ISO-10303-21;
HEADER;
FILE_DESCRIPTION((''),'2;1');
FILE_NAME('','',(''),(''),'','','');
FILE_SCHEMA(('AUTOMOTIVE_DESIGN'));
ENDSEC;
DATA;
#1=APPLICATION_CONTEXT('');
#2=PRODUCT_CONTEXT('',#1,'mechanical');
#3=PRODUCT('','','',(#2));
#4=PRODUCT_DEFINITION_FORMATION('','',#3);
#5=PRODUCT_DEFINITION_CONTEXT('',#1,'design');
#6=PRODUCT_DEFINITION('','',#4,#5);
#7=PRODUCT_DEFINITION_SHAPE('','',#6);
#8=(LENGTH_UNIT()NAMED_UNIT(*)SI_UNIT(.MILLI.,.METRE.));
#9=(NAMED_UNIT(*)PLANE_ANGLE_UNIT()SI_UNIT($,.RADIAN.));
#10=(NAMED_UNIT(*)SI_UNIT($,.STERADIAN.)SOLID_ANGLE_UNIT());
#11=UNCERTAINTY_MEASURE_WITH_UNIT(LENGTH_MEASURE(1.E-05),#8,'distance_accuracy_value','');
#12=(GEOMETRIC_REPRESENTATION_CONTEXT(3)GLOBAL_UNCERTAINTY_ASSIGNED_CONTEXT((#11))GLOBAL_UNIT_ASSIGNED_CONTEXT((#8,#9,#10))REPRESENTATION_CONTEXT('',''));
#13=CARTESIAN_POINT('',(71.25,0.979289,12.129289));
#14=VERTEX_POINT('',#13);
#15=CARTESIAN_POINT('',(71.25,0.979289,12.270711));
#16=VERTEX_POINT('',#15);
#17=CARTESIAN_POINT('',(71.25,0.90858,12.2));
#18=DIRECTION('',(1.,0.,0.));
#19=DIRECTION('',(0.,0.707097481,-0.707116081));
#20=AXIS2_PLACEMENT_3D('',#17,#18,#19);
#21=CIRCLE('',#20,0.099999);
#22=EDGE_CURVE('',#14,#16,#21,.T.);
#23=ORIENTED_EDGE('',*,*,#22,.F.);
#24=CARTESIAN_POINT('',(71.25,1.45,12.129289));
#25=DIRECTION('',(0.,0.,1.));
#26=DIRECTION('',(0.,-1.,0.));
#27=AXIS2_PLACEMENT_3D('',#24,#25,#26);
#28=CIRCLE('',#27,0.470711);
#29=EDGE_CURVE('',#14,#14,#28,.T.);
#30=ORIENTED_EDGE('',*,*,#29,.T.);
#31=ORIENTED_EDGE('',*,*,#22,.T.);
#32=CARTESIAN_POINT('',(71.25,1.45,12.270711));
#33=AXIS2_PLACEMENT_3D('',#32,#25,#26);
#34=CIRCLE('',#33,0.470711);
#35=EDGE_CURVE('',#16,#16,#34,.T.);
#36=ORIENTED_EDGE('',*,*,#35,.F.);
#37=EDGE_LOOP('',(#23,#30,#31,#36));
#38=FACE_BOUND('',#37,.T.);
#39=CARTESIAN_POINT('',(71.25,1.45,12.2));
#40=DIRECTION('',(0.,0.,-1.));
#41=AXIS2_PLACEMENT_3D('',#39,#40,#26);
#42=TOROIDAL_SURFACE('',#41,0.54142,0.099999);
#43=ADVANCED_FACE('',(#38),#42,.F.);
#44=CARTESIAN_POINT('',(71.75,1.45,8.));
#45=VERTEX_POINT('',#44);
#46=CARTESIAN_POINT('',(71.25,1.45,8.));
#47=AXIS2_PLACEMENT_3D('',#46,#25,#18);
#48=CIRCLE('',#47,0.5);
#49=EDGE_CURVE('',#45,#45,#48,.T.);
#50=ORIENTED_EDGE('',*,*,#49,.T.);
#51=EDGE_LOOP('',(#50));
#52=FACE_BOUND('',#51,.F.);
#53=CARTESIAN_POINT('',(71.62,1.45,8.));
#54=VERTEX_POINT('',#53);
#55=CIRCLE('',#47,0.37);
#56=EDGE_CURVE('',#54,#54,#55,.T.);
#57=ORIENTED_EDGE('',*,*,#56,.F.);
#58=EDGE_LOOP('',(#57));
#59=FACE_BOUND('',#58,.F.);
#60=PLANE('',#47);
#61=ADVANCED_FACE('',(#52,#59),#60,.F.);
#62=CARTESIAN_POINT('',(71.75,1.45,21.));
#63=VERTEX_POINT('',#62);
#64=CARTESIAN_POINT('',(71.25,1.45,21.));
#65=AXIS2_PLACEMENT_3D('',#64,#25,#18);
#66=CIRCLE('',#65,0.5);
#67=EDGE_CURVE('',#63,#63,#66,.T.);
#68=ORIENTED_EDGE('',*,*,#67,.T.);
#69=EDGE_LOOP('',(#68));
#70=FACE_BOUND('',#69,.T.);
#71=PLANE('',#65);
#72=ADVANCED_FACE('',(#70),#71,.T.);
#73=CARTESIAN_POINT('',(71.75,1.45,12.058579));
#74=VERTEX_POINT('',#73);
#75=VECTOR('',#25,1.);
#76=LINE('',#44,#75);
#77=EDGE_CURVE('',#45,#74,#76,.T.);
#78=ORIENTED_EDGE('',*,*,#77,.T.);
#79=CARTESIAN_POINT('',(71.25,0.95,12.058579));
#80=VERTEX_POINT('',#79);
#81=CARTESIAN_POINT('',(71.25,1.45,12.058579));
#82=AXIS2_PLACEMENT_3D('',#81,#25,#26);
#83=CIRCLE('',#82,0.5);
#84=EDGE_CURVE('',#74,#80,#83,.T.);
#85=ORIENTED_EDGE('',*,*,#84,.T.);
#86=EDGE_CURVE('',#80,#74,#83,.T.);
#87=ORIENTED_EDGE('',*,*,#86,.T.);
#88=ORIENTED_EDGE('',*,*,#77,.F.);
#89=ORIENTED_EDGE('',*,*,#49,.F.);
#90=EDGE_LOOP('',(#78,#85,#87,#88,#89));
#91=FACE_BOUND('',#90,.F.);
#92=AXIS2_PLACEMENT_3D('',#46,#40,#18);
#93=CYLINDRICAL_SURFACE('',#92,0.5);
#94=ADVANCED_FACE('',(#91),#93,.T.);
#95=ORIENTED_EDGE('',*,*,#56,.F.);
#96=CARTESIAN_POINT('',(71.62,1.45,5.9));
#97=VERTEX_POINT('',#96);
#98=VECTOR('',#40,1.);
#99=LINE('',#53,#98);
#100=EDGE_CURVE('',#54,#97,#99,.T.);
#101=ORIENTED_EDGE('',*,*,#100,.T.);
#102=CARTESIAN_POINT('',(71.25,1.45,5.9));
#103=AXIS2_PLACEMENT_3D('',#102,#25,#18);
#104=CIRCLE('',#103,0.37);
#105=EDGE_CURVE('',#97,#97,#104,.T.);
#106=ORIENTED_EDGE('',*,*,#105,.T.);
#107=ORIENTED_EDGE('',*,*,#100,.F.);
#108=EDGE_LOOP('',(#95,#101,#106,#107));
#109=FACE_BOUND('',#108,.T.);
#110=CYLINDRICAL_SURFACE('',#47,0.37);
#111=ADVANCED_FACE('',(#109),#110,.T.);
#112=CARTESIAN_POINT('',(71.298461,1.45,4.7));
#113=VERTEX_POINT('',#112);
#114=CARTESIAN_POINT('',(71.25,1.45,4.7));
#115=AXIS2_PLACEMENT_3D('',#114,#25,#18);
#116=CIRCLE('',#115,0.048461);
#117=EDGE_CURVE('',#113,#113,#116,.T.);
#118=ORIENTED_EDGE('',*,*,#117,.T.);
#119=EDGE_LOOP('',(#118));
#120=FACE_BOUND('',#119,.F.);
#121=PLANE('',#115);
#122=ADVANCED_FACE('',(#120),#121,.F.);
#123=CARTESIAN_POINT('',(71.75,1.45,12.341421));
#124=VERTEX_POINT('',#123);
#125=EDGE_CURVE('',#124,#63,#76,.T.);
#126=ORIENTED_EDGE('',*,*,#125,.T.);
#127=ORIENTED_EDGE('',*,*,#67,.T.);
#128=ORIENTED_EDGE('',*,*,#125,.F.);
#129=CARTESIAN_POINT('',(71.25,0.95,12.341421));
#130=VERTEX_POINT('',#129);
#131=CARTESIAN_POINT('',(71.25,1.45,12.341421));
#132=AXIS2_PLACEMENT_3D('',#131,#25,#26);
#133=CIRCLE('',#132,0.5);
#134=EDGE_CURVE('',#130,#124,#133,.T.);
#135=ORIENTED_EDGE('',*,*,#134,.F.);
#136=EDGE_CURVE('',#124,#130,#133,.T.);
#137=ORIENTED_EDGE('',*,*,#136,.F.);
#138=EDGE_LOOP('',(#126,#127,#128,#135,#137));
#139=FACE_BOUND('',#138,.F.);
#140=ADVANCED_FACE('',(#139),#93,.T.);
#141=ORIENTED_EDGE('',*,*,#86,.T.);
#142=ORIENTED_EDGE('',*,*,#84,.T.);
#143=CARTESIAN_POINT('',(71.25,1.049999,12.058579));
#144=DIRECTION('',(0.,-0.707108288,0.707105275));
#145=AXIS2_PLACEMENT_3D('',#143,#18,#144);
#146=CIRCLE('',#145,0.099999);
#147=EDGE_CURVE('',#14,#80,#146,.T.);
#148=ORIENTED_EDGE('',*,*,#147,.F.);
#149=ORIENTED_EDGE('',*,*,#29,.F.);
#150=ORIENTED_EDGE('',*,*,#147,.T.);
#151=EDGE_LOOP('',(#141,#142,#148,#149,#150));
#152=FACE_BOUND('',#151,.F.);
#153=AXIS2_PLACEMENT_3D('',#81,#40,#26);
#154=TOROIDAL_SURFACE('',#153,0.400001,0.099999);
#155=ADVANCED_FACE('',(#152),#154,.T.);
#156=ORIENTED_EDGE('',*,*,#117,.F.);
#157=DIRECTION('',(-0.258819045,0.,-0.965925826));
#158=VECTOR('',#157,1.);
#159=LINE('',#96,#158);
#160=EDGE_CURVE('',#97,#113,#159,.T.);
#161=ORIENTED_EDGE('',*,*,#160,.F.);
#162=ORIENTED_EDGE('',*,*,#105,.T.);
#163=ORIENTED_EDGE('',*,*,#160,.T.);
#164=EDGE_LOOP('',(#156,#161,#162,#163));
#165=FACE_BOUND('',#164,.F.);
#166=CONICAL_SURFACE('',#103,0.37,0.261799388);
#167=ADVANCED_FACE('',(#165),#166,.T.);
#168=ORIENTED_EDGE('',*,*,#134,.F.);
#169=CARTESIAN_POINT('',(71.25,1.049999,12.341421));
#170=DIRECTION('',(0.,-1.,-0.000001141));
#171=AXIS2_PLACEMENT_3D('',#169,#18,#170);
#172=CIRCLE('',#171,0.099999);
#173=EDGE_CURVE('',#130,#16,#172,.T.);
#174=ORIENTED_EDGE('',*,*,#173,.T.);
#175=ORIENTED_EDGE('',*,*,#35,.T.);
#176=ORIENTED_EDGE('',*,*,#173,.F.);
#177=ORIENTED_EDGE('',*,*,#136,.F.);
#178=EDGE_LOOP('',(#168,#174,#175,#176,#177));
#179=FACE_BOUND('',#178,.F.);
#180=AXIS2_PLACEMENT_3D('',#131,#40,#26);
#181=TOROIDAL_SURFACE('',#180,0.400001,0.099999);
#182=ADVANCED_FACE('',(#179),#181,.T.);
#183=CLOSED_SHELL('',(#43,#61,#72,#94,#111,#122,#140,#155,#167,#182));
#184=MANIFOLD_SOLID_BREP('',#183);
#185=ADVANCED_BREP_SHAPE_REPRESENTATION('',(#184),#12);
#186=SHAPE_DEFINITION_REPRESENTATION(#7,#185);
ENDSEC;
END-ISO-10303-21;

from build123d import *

# Parameters (mm, degrees)
SKETCH037_R      = 0.5
PAD003_DEPTH     = 13
SKETCH038_R      = 0.37
PAD004_DEPTH     = 3.3
CHAMFER004_ANGLE = 15
CHAMFER004_SIZE  = 1.2


with BuildPart() as part:
    # Sketch037 → Pad003 (new body)
    with BuildSketch(Plane.XY):
        Circle(SKETCH037_R)
    extrude(amount=PAD003_DEPTH)

    # Sketch048 → Groove (revolve, cut)
    with BuildSketch(Plane.YZ):
        with BuildLine():
            ThreePointArc((-0.5, 4.341421), (-0.492388, 4.303153), (-0.470711, 4.270711))
            ThreePointArc((-0.470711, 4.129289), (-0.441421, 4.2), (-0.470711, 4.270711))
            ThreePointArc((-0.470711, 4.129289), (-0.492388, 4.096847), (-0.5, 4.058579))
            Line((-0.5, 4.341421), (-0.5, 4.058579))
        make_face()
    revolve(axis=Axis((0, 0, 0), (0, 0, 1)), mode=Mode.SUBTRACT)

    # Sketch038 → Pad004 (join)
    with BuildSketch(Plane.XY):
        Circle(SKETCH038_R)
    extrude(amount=-PAD004_DEPTH)

    # Chamfer004
    chamfer004_edges = [part.edges().sort_by_distance(p)[0] for p in [
        (-0.37, 0, -3.3),
    ]]
    chamfer004_side = part.faces().sort_by_distance((-0.37, 0, -1.65))[0]
    chamfer(chamfer004_edges, length=CHAMFER004_SIZE, angle=CHAMFER004_ANGLE, reference=chamfer004_side)


with BuildPart() as part_1:
    # Body002 placement: moved
    add(part.part.moved(Location((72, -1, 8))))


with BuildPart() as part_2:
    # Clone009 placement: moved
    add(part_1.part.moved(Location((-72, 1, -8))))


with BuildPart() as part_3:
    # Body016 placement: moved
    add(part_2.part.moved(Location((71.25, 1.45, 8))))


solid = part_3.part
